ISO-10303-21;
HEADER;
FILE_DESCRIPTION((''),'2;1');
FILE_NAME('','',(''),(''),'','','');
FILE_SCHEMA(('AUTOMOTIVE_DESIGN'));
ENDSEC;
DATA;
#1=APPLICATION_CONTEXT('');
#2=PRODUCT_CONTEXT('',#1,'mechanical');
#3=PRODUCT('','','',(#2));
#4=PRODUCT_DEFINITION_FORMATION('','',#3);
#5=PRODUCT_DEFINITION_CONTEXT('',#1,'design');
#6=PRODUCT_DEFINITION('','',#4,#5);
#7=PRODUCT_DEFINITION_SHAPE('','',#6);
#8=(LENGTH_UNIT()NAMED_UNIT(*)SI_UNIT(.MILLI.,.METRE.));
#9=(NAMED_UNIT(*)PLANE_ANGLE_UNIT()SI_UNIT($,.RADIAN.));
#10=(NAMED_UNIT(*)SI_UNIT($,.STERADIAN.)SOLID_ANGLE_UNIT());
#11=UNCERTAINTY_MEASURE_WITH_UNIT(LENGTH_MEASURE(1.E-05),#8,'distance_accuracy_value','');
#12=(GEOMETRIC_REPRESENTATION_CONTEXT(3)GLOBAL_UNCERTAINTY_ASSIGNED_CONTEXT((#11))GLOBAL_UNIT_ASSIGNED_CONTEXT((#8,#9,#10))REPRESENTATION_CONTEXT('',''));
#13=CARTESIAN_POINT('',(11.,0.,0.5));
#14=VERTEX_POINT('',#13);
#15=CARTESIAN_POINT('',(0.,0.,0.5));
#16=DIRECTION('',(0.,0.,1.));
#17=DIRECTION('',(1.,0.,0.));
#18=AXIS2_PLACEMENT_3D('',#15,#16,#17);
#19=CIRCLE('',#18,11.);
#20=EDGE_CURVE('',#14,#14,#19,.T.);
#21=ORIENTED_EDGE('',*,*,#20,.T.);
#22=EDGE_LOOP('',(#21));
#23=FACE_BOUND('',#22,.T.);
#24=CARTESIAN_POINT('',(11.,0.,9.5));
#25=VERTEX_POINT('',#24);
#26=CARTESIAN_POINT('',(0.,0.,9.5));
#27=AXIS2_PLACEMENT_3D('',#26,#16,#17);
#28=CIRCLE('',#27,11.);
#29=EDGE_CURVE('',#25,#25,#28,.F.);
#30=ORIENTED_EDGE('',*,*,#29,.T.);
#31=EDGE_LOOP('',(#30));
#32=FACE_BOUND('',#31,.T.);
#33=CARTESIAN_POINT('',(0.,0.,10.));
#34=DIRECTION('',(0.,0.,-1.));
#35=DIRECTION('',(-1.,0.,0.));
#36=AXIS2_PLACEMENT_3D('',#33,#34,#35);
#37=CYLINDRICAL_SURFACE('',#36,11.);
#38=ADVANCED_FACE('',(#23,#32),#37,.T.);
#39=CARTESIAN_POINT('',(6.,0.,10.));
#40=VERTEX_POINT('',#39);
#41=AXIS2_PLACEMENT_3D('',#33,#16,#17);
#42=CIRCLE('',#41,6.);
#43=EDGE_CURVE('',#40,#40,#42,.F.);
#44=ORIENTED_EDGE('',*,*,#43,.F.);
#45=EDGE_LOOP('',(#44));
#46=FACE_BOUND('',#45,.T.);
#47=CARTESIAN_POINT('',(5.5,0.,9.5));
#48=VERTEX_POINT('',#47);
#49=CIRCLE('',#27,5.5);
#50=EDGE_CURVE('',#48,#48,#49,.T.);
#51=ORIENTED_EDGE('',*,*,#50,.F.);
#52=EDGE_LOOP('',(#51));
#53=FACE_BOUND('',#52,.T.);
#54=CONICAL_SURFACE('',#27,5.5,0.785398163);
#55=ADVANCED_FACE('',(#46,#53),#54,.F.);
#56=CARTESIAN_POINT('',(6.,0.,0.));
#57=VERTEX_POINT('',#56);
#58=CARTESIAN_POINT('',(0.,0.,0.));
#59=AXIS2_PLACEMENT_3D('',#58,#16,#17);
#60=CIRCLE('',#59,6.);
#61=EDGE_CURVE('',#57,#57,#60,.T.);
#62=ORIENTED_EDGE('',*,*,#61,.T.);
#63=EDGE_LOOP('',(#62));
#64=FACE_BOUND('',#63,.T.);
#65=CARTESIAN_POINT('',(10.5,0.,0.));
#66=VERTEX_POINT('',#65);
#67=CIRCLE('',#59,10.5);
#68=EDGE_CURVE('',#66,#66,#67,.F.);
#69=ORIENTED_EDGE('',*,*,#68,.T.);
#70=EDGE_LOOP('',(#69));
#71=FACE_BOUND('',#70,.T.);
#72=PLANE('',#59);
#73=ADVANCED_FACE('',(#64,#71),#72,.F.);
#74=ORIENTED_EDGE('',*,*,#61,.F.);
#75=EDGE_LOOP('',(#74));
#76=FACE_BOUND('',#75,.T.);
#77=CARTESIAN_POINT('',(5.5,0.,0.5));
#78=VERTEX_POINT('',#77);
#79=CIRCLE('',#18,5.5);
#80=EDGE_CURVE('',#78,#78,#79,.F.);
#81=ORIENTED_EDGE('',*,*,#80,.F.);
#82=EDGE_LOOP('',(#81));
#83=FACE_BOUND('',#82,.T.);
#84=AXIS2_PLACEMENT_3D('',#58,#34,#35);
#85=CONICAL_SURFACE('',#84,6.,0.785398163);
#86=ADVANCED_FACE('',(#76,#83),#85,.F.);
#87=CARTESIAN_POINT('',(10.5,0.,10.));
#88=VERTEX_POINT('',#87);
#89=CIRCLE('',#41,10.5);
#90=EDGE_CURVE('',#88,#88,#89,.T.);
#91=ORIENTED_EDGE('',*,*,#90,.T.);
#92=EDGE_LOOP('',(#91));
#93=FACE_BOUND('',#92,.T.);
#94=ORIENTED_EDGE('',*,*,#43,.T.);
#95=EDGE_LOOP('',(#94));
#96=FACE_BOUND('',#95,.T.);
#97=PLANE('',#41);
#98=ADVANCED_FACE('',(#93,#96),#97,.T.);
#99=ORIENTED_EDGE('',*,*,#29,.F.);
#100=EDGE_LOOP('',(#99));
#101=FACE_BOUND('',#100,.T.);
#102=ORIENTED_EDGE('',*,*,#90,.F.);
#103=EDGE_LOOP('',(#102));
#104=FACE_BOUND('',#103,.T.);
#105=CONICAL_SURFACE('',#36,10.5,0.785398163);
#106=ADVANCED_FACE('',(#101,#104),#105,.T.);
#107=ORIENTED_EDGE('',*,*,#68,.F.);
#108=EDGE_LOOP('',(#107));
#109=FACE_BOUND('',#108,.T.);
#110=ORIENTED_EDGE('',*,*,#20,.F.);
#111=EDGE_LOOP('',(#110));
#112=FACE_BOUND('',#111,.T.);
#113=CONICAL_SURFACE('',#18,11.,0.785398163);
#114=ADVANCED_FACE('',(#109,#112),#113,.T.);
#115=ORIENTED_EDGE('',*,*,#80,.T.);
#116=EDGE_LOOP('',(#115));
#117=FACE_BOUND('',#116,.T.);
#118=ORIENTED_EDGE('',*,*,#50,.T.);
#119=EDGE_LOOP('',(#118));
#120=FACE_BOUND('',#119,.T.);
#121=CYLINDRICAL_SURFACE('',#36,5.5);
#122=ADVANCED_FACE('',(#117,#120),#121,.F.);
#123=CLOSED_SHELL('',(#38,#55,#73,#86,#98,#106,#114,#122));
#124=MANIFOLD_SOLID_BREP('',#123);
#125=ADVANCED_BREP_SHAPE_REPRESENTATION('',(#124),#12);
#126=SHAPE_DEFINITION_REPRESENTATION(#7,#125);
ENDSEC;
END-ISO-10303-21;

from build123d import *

# Parameters (mm, degrees)
SKICA1_R                = 11
SKICA1_R_2              = 5.5
P_IDAT_VYSUNUT_M1_DEPTH = 10
ZKOSEN_1_SIZE           = 0.5


with BuildPart() as part:
    # Skica1 → Přidat vysunutím1 (new body)
    with BuildSketch(Plane.XY):
        Circle(SKICA1_R)
        Circle(SKICA1_R_2, mode=Mode.SUBTRACT)
    extrude(amount=P_IDAT_VYSUNUT_M1_DEPTH)

    # Zkosení1
    zkosen_1_edges = [part.edges().sort_by_distance(p)[0] for p in [
        (-11, 0, 0),
        (-11, 0, 10),
        (-5.5, 0, 0),
        (-5.5, 0, 10),
    ]]
    chamfer(zkosen_1_edges, length=ZKOSEN_1_SIZE)


solid = part.part
